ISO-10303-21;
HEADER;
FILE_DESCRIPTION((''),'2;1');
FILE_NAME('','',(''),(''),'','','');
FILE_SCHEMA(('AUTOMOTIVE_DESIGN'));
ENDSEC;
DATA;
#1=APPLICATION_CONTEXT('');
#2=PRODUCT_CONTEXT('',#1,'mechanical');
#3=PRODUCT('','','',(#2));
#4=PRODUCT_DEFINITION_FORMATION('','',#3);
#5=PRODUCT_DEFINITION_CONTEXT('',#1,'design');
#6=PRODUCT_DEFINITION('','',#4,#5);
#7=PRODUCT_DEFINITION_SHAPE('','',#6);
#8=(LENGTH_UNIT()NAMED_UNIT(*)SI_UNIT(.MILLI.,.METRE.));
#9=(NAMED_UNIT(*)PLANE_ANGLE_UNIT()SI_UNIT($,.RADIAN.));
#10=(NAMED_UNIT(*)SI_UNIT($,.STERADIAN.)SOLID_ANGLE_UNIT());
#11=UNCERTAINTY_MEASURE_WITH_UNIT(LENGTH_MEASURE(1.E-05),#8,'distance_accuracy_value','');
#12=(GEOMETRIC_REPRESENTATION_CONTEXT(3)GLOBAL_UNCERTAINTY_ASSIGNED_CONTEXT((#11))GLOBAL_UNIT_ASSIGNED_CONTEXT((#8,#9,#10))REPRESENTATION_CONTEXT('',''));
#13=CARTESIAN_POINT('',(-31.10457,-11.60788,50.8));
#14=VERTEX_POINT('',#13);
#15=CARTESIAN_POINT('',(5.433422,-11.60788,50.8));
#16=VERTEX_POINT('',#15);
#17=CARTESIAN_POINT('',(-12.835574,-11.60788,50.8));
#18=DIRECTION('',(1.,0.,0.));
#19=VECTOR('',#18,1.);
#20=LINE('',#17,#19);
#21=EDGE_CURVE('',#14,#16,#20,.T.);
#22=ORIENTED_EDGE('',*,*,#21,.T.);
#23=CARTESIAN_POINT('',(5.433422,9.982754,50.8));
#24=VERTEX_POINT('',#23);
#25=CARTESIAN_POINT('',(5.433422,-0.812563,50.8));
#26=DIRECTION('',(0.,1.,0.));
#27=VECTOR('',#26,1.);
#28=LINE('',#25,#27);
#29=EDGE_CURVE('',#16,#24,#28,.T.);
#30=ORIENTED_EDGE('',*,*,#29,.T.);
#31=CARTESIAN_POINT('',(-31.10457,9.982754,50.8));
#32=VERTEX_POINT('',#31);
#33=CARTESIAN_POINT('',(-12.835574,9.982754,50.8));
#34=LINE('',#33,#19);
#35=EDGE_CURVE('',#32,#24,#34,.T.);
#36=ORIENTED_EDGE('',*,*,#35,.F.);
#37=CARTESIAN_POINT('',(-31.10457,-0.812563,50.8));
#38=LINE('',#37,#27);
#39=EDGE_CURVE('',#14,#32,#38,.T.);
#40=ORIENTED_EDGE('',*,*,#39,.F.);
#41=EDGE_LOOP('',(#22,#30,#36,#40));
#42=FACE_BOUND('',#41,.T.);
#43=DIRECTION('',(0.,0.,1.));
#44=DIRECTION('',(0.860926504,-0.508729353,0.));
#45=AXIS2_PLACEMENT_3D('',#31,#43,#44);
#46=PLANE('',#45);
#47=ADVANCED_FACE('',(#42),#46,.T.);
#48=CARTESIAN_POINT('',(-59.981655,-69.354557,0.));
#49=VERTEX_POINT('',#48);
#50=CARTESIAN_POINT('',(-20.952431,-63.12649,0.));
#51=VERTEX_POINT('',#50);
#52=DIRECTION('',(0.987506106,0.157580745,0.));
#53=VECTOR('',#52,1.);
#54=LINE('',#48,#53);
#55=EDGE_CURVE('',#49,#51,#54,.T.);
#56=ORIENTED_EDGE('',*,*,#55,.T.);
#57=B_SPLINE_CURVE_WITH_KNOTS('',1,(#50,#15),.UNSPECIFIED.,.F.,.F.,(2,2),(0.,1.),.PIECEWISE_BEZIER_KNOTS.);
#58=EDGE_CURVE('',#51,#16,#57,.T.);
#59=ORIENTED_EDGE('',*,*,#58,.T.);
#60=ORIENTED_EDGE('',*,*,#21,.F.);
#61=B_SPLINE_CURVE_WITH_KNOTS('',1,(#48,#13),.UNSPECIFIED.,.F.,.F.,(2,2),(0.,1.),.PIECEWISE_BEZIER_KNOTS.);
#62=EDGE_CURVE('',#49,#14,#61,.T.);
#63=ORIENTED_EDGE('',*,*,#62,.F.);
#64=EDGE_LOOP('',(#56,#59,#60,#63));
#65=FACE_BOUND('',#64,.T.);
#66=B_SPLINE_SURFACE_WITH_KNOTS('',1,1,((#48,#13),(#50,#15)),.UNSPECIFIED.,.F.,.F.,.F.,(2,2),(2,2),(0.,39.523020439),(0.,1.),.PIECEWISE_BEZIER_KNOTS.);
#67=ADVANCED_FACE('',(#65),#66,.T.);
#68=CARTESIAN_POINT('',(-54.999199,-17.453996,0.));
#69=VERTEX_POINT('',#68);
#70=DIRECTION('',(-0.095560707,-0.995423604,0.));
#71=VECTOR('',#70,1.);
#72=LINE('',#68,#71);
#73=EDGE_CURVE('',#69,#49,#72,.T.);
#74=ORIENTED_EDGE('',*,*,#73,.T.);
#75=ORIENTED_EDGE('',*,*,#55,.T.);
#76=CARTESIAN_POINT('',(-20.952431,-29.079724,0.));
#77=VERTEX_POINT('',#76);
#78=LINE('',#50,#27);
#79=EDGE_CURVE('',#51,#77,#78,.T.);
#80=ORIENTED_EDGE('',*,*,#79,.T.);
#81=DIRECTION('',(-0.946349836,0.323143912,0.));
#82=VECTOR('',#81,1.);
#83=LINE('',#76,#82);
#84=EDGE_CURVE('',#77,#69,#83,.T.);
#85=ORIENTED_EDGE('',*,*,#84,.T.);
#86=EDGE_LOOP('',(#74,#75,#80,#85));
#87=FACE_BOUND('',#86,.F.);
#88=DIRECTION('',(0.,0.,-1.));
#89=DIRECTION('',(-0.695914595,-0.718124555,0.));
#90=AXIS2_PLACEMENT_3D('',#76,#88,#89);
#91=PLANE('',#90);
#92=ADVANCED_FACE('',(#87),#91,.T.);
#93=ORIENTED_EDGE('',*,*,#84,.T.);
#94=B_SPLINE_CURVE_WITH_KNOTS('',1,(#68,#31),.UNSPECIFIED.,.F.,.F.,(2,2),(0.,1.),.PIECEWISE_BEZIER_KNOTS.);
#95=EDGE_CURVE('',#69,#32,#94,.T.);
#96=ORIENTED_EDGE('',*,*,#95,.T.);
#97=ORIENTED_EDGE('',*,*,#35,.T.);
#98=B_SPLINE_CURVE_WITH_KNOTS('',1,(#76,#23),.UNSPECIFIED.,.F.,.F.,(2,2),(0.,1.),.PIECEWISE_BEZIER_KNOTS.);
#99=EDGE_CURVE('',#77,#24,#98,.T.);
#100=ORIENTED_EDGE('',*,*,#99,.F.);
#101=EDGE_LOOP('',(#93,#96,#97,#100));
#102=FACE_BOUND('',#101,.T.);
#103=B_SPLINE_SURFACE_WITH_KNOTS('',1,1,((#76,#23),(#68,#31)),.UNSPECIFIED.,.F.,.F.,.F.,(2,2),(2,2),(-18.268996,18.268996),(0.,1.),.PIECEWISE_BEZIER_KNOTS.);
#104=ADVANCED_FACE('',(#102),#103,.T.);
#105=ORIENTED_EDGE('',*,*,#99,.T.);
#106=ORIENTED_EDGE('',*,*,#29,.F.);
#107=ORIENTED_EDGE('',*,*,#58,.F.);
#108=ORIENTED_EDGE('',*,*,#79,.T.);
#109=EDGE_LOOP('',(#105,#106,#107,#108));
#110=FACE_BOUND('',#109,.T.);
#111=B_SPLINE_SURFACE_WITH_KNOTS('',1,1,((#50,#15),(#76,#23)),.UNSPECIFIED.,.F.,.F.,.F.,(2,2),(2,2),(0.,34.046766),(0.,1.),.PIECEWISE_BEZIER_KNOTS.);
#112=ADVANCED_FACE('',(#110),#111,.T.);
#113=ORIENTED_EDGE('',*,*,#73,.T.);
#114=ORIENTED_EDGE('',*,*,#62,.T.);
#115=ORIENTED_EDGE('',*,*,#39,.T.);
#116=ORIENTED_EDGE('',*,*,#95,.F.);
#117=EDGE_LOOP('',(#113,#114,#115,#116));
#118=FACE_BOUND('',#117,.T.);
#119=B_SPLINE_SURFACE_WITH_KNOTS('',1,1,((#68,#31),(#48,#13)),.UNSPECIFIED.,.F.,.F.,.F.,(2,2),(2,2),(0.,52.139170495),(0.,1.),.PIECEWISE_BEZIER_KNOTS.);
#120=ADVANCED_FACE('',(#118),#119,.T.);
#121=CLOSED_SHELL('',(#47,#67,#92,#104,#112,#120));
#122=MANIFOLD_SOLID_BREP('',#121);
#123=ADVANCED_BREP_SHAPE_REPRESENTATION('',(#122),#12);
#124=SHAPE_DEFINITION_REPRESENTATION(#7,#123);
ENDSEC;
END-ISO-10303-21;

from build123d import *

# Parameters (mm, degrees)
F2_W = 36.537992
F2_H = 21.590634


with BuildPart() as f3:
    # F0 (on Top) → F3 section 0
    with BuildSketch(Plane.XY):
        Polygon((-20.952431, -29.079724), (-54.999199, -17.453996), (-59.981655, -69.354557), (-20.952431, -63.12649), align=None)
    # F2 (on offset) → F3 section 1
    with BuildSketch(Plane.XY.offset(50.8)):
        with Locations((-12.835574, -0.812563)):
            Rectangle(F2_W, F2_H)
    loft()


solid = f3.part
